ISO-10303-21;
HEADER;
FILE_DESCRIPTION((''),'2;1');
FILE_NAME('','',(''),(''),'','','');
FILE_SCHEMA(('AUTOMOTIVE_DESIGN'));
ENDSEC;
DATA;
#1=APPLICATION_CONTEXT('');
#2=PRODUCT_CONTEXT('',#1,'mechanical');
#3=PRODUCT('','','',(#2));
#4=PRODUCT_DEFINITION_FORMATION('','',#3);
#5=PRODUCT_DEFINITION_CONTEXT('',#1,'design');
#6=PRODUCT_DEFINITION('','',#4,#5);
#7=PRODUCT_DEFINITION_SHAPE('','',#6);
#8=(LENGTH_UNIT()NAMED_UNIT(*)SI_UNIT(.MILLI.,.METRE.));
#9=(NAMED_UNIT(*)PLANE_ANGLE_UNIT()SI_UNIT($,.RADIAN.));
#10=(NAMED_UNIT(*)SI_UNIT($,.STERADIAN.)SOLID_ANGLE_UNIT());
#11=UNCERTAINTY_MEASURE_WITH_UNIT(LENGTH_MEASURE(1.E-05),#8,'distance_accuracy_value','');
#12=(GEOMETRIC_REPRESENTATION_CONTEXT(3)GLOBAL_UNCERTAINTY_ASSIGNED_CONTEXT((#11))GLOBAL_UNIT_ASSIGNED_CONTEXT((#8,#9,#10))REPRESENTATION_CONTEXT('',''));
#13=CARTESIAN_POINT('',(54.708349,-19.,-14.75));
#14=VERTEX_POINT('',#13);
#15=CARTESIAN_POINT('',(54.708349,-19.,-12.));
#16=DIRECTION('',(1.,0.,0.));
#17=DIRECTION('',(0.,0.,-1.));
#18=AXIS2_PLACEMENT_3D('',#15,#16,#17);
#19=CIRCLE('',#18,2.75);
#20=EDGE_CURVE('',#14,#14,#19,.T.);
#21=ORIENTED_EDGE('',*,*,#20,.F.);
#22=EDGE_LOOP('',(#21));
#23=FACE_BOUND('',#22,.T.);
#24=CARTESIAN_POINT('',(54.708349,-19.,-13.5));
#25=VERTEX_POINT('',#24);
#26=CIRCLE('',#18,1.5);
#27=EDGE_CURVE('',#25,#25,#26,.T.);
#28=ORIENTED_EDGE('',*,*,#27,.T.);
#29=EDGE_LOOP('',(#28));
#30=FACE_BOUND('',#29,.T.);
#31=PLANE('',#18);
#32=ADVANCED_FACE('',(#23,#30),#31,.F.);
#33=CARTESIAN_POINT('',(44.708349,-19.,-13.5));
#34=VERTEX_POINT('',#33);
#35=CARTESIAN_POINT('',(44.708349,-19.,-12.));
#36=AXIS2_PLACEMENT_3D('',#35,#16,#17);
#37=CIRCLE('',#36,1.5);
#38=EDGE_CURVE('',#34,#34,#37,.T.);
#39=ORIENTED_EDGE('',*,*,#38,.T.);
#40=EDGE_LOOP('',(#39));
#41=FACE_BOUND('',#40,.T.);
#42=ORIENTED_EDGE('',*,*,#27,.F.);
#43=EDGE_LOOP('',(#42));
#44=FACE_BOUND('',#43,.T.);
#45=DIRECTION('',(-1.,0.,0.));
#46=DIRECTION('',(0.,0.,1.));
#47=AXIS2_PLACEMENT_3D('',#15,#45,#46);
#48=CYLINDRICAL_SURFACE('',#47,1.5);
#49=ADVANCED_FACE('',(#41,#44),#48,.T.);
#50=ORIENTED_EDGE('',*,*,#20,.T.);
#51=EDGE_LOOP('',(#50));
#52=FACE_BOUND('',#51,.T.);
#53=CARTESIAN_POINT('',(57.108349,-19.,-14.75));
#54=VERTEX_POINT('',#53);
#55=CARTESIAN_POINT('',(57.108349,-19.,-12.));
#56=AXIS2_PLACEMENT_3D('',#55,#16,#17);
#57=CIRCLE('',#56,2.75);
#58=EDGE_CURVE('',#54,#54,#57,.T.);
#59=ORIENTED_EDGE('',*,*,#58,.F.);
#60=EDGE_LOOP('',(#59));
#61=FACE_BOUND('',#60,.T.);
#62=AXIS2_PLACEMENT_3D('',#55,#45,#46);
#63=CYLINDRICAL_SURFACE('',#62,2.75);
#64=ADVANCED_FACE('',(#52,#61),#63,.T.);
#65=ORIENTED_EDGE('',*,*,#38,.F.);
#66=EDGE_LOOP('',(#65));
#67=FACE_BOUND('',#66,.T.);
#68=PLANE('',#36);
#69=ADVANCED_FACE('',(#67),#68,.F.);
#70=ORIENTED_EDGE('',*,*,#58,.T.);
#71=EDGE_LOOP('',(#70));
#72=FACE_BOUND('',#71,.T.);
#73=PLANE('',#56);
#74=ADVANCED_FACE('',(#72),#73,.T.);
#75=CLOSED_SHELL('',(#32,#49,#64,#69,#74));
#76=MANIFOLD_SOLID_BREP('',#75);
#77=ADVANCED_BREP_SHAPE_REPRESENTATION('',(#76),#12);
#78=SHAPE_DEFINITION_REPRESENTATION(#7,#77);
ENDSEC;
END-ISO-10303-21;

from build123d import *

# Parameters (mm, degrees)
M3_CLAMP_SHANK_SKETCH_R   = 1.5
M3_CLAMP_SHANK_DEPTH      = 10
CLAMP_SCREW_HEAD_SKETCH_R = 2.75
CLAMP_SCREW_HEAD_DEPTH    = 2.4


with BuildPart() as part:
    # M3 clamp shank sketch → M3 clamp shank (new body)
    with BuildSketch(Plane(origin=(44.708348754, 0, 0), x_dir=(0, 0, -1), z_dir=(1, 0, 0))):
        with Locations((12, -19)):
            Circle(M3_CLAMP_SHANK_SKETCH_R)
    extrude(amount=M3_CLAMP_SHANK_DEPTH)

    # Clamp screw head sketch → Clamp screw head (add)
    with BuildSketch(Plane(origin=(54.708348754, 0, 0), x_dir=(0, 0, -1), z_dir=(1, 0, 0))):
        with Locations((12, -19)):
            Circle(CLAMP_SCREW_HEAD_SKETCH_R)
    extrude(amount=CLAMP_SCREW_HEAD_DEPTH)


solid = part.part
